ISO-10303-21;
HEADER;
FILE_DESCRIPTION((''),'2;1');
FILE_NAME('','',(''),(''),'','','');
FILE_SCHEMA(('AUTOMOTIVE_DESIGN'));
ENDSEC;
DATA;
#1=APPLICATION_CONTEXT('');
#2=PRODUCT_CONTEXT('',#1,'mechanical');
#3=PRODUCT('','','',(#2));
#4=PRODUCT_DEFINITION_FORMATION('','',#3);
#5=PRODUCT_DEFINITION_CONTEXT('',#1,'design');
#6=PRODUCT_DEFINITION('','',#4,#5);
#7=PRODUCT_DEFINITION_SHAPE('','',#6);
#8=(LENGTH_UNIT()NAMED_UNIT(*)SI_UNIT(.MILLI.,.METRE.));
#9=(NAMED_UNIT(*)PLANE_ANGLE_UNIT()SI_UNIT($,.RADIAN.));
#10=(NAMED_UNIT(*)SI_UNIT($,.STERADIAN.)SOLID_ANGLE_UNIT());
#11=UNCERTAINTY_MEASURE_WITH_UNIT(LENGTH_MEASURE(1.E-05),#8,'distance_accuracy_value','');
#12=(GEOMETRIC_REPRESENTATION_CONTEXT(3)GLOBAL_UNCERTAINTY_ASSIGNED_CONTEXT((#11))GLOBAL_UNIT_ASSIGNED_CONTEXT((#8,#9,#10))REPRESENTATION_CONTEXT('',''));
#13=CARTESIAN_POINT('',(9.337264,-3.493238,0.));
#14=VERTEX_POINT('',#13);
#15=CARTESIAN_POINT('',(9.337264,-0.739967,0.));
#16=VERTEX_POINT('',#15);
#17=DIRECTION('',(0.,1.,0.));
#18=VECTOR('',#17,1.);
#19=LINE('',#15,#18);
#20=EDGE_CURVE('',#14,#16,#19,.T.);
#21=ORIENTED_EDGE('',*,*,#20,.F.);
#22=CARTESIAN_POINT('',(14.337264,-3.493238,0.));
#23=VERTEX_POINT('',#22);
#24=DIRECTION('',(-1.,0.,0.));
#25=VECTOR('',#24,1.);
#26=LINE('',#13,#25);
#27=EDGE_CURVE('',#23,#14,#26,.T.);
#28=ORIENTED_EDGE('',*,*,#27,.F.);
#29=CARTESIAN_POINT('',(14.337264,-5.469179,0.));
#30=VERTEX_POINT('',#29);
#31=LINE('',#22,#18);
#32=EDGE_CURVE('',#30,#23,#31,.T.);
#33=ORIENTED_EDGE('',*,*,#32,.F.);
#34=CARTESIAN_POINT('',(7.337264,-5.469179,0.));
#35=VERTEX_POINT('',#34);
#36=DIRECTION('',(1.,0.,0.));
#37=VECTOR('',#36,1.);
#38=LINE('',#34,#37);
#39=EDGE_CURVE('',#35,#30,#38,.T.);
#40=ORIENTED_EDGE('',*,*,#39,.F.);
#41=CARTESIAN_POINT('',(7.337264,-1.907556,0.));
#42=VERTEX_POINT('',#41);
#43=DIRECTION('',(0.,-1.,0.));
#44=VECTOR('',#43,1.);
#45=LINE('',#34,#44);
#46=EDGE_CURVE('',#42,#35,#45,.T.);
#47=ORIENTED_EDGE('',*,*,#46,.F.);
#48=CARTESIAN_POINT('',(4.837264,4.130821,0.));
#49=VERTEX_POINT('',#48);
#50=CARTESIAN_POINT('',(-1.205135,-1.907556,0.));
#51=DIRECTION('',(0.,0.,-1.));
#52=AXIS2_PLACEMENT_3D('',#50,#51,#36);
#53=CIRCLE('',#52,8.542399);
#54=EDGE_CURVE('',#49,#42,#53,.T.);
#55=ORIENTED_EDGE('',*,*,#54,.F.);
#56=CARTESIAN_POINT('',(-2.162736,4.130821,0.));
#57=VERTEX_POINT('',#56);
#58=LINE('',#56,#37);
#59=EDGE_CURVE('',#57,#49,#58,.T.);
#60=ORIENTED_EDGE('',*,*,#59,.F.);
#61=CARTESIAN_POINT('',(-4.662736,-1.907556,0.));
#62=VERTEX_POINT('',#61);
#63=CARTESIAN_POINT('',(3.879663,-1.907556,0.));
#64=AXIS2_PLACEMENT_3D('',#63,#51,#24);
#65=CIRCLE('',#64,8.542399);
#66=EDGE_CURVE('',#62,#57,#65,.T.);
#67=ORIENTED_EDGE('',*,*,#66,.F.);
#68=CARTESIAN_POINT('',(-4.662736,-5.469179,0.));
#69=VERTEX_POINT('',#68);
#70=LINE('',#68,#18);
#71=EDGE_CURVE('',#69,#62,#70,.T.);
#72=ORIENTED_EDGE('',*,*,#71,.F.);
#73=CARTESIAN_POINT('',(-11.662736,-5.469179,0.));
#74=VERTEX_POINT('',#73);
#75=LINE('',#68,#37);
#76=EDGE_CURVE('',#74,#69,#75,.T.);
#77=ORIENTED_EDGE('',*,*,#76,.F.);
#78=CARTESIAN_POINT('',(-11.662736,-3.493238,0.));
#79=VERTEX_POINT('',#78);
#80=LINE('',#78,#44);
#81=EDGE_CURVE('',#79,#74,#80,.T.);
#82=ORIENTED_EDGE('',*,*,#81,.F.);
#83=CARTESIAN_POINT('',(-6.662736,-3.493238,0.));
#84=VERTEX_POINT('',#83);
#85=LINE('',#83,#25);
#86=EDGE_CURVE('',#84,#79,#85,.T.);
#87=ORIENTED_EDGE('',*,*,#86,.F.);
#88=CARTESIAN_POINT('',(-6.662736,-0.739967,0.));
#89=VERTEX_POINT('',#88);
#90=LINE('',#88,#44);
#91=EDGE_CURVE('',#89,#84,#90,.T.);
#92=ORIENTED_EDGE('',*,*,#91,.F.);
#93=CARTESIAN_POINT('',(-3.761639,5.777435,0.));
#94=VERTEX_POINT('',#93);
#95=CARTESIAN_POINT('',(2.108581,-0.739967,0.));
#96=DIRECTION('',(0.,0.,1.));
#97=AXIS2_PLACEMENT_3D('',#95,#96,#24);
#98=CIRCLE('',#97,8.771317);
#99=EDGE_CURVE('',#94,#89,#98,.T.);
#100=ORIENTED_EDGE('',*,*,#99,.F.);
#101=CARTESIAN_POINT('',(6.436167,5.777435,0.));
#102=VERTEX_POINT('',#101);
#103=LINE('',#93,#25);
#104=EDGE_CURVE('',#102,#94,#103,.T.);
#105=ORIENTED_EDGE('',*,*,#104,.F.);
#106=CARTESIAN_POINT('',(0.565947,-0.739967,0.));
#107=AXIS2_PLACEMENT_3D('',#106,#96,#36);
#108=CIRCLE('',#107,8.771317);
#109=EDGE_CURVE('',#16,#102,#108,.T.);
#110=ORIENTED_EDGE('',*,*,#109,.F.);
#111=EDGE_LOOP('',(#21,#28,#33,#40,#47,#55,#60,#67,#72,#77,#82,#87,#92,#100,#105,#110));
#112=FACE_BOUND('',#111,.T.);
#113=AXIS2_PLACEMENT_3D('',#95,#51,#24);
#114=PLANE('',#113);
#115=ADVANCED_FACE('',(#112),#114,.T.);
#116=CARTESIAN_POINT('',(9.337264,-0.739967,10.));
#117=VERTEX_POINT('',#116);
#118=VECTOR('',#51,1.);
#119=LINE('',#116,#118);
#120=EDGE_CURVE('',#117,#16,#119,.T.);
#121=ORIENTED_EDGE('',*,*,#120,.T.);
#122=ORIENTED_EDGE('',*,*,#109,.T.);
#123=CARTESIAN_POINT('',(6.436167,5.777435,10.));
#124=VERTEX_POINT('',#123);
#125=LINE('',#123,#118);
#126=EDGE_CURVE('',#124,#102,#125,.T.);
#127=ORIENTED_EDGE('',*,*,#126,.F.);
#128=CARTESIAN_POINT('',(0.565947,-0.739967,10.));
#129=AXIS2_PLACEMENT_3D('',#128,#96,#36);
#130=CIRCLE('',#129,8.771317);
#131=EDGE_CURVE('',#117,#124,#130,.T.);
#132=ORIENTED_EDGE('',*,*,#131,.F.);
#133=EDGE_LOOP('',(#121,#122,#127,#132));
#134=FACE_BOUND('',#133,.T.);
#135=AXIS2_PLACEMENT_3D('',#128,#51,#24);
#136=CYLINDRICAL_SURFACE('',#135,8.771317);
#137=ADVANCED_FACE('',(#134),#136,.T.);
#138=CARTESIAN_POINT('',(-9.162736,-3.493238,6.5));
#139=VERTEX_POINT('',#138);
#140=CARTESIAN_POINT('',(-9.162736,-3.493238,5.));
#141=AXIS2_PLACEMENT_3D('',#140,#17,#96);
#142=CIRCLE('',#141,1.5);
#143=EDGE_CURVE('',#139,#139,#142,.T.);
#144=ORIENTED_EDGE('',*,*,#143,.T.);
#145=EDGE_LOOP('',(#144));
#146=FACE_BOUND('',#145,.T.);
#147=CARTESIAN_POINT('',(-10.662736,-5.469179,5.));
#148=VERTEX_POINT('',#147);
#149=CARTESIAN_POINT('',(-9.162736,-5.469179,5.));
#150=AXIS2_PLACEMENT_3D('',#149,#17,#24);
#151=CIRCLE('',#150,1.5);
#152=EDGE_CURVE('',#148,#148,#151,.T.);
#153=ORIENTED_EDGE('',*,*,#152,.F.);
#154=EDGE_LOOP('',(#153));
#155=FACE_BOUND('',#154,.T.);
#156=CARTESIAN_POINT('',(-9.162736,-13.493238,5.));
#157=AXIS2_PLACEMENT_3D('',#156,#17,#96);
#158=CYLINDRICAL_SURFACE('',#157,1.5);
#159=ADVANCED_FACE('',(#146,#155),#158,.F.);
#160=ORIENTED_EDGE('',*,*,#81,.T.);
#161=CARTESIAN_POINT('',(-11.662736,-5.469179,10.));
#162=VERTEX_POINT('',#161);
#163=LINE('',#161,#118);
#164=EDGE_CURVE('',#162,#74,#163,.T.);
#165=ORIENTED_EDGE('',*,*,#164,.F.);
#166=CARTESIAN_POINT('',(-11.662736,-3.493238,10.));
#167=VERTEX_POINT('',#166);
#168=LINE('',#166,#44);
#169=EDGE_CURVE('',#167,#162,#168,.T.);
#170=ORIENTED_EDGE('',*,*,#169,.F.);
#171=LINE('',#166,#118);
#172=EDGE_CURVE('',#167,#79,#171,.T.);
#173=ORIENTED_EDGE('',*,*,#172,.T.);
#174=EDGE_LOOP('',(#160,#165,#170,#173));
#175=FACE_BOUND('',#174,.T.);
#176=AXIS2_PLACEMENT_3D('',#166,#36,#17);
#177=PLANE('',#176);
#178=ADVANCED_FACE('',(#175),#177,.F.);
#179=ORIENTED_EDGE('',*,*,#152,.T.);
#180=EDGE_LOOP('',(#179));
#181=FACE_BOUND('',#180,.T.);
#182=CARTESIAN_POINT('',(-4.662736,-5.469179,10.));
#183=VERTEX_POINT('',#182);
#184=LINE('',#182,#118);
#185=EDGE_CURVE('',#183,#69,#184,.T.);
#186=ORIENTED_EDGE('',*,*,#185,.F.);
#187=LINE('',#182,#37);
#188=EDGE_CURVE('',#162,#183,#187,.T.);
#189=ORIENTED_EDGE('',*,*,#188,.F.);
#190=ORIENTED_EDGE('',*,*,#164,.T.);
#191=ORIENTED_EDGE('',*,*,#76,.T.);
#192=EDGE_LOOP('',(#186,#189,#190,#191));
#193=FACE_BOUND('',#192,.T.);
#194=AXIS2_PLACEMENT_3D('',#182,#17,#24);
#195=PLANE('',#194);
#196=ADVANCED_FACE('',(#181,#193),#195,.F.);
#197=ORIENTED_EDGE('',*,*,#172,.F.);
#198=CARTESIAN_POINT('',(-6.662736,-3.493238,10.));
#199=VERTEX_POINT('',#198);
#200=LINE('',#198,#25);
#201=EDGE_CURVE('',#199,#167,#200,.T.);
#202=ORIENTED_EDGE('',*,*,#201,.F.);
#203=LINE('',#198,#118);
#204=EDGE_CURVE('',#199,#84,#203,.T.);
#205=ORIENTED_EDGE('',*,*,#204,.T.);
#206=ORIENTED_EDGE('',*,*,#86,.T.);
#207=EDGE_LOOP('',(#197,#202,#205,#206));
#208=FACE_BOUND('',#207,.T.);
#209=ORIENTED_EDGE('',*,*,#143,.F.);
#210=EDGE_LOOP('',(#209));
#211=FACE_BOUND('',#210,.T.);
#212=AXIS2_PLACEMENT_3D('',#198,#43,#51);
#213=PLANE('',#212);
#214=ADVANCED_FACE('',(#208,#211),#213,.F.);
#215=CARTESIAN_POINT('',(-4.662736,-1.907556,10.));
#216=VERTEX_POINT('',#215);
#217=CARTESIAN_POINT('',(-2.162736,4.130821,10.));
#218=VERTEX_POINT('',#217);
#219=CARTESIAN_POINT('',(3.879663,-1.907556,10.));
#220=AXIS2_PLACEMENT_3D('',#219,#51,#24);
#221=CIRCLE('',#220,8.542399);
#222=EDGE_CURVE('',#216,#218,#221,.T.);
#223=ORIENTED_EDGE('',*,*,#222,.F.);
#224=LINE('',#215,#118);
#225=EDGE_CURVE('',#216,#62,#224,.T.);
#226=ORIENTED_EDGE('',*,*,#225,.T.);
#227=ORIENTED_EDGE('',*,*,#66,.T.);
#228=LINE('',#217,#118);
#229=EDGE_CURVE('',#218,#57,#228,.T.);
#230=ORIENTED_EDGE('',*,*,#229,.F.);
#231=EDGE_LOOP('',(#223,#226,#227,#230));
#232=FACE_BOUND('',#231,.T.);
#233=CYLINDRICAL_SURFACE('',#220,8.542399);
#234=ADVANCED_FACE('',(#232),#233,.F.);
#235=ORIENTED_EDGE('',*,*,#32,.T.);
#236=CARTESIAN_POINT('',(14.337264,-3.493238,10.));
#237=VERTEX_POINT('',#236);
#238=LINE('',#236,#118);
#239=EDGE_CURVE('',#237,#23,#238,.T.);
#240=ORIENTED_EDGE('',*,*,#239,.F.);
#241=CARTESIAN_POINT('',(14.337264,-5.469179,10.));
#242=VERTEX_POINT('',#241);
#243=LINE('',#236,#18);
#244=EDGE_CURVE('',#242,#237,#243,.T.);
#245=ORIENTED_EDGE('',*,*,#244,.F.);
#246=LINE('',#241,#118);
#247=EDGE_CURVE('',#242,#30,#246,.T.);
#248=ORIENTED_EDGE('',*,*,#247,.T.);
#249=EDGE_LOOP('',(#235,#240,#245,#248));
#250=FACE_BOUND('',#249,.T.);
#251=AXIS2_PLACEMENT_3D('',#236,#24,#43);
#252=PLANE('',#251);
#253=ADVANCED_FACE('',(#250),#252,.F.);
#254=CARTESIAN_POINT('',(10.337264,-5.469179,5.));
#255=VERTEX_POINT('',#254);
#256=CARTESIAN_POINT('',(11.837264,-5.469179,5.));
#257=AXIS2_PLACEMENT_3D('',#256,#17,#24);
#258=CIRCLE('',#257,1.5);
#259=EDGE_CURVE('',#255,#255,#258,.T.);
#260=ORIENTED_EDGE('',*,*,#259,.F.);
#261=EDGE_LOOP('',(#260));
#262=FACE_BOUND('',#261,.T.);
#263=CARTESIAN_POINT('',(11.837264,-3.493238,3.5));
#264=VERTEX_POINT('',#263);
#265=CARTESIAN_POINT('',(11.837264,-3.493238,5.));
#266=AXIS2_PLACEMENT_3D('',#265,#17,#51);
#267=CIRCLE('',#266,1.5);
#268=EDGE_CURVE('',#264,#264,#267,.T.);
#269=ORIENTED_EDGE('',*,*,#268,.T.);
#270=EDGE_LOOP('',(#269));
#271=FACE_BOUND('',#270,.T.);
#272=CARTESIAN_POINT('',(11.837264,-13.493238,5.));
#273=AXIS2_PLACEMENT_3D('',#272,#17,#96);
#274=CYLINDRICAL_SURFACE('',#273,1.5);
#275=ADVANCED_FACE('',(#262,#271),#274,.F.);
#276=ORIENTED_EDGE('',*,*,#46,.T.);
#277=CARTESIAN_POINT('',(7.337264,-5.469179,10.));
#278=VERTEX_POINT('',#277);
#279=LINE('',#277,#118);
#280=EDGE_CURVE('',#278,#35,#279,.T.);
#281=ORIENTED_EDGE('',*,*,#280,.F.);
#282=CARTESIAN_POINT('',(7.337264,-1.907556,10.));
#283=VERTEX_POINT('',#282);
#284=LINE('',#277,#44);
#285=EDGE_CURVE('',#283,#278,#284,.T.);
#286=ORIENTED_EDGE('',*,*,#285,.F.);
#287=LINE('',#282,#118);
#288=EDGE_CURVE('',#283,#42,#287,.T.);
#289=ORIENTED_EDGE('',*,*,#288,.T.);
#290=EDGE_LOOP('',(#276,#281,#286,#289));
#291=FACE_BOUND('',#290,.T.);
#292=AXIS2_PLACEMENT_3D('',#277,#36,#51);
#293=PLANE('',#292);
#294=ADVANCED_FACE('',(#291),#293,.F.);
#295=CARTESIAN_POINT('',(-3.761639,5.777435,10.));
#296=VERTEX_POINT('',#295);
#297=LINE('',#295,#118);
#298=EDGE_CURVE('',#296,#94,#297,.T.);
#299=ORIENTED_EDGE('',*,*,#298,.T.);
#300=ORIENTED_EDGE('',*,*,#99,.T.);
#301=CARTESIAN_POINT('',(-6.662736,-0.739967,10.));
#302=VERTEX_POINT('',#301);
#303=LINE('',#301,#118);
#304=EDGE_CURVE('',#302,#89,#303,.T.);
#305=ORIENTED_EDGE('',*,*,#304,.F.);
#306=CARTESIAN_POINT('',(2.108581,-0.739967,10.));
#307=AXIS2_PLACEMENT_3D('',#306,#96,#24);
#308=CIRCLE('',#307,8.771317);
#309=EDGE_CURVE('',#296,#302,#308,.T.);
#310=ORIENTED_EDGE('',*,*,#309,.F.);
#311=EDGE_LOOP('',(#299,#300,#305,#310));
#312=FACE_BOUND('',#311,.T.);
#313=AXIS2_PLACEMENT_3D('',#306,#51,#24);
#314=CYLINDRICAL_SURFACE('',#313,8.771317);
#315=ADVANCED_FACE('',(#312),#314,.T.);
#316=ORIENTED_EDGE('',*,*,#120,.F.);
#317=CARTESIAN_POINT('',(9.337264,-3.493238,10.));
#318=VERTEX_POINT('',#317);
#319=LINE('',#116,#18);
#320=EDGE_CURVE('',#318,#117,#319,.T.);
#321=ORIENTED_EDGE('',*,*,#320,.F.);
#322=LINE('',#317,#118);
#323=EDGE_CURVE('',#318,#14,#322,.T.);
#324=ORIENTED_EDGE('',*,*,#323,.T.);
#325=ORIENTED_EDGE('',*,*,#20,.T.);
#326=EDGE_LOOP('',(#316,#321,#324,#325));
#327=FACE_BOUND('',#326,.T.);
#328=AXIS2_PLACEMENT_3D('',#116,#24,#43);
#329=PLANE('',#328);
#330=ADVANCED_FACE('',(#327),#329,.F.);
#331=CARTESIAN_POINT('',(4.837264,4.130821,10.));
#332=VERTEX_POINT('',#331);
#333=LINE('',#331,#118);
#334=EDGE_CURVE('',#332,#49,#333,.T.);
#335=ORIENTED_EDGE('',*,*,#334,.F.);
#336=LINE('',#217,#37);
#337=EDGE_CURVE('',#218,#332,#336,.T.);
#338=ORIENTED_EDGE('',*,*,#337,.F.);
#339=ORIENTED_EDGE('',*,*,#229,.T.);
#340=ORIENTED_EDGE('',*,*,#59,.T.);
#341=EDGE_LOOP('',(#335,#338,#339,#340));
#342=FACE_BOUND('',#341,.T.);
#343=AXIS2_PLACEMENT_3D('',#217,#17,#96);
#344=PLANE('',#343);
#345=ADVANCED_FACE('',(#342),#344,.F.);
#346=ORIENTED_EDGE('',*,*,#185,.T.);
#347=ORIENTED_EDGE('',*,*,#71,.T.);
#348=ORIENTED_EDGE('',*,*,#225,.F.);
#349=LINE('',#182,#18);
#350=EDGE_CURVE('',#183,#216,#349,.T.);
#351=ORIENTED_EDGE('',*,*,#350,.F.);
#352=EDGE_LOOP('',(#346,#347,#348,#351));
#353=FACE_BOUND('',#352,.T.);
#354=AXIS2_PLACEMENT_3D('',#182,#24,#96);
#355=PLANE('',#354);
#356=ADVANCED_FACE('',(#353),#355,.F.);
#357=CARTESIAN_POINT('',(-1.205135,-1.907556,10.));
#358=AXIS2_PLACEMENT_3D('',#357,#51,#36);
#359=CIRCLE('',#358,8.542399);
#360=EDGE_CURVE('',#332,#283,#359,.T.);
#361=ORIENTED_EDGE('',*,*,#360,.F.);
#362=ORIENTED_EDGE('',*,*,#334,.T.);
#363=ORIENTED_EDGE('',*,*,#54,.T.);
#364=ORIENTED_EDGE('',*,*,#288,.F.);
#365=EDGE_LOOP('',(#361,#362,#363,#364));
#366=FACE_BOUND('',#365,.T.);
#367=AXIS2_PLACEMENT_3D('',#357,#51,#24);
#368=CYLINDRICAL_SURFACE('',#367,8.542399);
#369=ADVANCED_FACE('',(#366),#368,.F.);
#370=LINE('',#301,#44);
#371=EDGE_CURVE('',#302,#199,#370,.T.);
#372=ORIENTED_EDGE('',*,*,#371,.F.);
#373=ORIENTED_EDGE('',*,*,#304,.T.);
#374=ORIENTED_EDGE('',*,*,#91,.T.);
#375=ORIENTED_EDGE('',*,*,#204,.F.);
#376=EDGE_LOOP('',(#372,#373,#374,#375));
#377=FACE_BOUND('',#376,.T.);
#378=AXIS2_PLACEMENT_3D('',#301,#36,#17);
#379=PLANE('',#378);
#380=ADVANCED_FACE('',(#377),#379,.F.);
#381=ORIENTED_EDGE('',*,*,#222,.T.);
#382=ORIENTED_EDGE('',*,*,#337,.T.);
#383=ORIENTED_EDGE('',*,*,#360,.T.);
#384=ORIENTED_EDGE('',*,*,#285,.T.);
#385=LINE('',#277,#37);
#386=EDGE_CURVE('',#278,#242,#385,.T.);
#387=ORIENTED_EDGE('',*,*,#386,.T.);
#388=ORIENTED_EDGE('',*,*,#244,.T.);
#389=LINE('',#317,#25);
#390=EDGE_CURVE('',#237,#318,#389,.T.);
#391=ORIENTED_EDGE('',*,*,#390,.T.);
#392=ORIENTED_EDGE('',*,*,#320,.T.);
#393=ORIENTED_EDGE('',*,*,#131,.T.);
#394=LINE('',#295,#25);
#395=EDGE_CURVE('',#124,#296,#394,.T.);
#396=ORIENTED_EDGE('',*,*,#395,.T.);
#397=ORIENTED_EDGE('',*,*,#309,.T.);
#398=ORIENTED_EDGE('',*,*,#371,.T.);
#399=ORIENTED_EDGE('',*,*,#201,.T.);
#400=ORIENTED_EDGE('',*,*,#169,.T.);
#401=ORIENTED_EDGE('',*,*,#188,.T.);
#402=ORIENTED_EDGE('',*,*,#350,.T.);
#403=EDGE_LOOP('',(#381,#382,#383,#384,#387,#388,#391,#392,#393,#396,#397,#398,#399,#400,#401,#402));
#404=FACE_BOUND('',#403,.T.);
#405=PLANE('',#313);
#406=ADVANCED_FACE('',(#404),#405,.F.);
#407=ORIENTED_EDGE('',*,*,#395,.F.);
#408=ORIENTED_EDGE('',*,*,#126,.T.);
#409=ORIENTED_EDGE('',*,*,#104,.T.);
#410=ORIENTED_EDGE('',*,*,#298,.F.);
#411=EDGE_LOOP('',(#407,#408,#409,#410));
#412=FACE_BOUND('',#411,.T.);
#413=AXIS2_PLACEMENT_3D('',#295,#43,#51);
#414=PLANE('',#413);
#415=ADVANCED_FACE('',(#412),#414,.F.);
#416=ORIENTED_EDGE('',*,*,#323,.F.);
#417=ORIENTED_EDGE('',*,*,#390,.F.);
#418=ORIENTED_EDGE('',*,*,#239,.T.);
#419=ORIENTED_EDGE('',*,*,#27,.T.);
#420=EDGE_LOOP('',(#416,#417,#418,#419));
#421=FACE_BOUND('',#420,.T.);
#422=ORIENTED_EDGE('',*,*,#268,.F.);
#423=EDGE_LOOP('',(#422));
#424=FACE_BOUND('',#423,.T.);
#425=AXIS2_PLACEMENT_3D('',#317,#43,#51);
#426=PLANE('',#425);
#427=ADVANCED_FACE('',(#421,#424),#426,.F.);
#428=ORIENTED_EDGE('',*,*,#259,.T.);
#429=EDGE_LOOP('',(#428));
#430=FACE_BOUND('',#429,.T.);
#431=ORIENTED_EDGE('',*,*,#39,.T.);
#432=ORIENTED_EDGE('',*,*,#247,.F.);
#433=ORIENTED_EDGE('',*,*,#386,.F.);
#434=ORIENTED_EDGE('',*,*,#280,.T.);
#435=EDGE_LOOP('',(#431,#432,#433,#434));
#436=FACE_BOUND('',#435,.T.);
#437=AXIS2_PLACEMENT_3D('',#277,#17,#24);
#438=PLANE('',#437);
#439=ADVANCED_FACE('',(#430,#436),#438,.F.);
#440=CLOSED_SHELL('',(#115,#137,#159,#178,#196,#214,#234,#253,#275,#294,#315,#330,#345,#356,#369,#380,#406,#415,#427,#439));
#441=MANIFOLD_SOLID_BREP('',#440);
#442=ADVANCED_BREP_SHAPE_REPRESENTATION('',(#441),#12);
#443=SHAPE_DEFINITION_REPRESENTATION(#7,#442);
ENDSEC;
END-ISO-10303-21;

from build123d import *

# Parameters (mm, degrees)
RESSALTO_EXTRUS_O1_DEPTH = 10
ESBO_O3_R                = 1.5
CORTE_EXTRUS_O1_DEPTH    = 10


with BuildPart() as part:
    # Esboço2 → Ressalto-extrusão1 (new body)
    with BuildSketch(Plane.XY):
        with BuildLine():
            Line((-2.16273614, 4.130820826), (4.83726386, 4.130820826))
            ThreePointArc((4.83726386, 4.130820826), (6.687556539, 1.360164653), (7.33726386, -1.907556116))
            Line((7.33726386, -1.907556116), (7.33726386, -5.469179174))
            Line((7.33726386, -5.469179174), (14.33726386, -5.469179174))
            Line((14.33726386, -5.469179174), (14.33726386, -3.493237638))
            Line((14.33726386, -3.493237638), (9.33726386, -3.493237638))
            Line((9.33726386, -3.493237638), (9.33726386, -0.739966657))
            ThreePointArc((9.33726386, -0.739966657), (8.579234613, 2.826995847), (6.436166726, 5.777434776))
            Line((6.436166726, 5.777434776), (-3.761639005, 5.777434776))
            ThreePointArc((-3.761639005, 5.777434776), (-5.904706893, 2.826995847), (-6.66273614, -0.739966657))
            Line((-6.66273614, -0.739966657), (-6.66273614, -3.493237638))
            Line((-6.66273614, -3.493237638), (-11.66273614, -3.493237638))
            Line((-11.66273614, -3.493237638), (-11.66273614, -5.469179174))
            Line((-11.66273614, -5.469179174), (-4.66273614, -5.469179174))
            Line((-4.66273614, -5.469179174), (-4.66273614, -1.907556116))
            ThreePointArc((-4.66273614, -1.907556116), (-4.013028819, 1.360164653), (-2.16273614, 4.130820826))
        make_face()
    extrude(amount=RESSALTO_EXTRUS_O1_DEPTH)

    # Esboço3 → Corte-extrusão1 (cut)
    with BuildSketch(Plane(origin=(0, -3.493237638, 0), x_dir=(1, 0, 0), z_dir=(0, 1, 0))):
        with Locations(Location((-9.16273614, -5, 0), (0, 0, 270))):
            Circle(ESBO_O3_R)
        with Locations(Location((11.83726386, -5, 0), (0, 0, 180))):
            Circle(ESBO_O3_R)
    extrude(amount=-CORTE_EXTRUS_O1_DEPTH, mode=Mode.SUBTRACT)


solid = part.part
